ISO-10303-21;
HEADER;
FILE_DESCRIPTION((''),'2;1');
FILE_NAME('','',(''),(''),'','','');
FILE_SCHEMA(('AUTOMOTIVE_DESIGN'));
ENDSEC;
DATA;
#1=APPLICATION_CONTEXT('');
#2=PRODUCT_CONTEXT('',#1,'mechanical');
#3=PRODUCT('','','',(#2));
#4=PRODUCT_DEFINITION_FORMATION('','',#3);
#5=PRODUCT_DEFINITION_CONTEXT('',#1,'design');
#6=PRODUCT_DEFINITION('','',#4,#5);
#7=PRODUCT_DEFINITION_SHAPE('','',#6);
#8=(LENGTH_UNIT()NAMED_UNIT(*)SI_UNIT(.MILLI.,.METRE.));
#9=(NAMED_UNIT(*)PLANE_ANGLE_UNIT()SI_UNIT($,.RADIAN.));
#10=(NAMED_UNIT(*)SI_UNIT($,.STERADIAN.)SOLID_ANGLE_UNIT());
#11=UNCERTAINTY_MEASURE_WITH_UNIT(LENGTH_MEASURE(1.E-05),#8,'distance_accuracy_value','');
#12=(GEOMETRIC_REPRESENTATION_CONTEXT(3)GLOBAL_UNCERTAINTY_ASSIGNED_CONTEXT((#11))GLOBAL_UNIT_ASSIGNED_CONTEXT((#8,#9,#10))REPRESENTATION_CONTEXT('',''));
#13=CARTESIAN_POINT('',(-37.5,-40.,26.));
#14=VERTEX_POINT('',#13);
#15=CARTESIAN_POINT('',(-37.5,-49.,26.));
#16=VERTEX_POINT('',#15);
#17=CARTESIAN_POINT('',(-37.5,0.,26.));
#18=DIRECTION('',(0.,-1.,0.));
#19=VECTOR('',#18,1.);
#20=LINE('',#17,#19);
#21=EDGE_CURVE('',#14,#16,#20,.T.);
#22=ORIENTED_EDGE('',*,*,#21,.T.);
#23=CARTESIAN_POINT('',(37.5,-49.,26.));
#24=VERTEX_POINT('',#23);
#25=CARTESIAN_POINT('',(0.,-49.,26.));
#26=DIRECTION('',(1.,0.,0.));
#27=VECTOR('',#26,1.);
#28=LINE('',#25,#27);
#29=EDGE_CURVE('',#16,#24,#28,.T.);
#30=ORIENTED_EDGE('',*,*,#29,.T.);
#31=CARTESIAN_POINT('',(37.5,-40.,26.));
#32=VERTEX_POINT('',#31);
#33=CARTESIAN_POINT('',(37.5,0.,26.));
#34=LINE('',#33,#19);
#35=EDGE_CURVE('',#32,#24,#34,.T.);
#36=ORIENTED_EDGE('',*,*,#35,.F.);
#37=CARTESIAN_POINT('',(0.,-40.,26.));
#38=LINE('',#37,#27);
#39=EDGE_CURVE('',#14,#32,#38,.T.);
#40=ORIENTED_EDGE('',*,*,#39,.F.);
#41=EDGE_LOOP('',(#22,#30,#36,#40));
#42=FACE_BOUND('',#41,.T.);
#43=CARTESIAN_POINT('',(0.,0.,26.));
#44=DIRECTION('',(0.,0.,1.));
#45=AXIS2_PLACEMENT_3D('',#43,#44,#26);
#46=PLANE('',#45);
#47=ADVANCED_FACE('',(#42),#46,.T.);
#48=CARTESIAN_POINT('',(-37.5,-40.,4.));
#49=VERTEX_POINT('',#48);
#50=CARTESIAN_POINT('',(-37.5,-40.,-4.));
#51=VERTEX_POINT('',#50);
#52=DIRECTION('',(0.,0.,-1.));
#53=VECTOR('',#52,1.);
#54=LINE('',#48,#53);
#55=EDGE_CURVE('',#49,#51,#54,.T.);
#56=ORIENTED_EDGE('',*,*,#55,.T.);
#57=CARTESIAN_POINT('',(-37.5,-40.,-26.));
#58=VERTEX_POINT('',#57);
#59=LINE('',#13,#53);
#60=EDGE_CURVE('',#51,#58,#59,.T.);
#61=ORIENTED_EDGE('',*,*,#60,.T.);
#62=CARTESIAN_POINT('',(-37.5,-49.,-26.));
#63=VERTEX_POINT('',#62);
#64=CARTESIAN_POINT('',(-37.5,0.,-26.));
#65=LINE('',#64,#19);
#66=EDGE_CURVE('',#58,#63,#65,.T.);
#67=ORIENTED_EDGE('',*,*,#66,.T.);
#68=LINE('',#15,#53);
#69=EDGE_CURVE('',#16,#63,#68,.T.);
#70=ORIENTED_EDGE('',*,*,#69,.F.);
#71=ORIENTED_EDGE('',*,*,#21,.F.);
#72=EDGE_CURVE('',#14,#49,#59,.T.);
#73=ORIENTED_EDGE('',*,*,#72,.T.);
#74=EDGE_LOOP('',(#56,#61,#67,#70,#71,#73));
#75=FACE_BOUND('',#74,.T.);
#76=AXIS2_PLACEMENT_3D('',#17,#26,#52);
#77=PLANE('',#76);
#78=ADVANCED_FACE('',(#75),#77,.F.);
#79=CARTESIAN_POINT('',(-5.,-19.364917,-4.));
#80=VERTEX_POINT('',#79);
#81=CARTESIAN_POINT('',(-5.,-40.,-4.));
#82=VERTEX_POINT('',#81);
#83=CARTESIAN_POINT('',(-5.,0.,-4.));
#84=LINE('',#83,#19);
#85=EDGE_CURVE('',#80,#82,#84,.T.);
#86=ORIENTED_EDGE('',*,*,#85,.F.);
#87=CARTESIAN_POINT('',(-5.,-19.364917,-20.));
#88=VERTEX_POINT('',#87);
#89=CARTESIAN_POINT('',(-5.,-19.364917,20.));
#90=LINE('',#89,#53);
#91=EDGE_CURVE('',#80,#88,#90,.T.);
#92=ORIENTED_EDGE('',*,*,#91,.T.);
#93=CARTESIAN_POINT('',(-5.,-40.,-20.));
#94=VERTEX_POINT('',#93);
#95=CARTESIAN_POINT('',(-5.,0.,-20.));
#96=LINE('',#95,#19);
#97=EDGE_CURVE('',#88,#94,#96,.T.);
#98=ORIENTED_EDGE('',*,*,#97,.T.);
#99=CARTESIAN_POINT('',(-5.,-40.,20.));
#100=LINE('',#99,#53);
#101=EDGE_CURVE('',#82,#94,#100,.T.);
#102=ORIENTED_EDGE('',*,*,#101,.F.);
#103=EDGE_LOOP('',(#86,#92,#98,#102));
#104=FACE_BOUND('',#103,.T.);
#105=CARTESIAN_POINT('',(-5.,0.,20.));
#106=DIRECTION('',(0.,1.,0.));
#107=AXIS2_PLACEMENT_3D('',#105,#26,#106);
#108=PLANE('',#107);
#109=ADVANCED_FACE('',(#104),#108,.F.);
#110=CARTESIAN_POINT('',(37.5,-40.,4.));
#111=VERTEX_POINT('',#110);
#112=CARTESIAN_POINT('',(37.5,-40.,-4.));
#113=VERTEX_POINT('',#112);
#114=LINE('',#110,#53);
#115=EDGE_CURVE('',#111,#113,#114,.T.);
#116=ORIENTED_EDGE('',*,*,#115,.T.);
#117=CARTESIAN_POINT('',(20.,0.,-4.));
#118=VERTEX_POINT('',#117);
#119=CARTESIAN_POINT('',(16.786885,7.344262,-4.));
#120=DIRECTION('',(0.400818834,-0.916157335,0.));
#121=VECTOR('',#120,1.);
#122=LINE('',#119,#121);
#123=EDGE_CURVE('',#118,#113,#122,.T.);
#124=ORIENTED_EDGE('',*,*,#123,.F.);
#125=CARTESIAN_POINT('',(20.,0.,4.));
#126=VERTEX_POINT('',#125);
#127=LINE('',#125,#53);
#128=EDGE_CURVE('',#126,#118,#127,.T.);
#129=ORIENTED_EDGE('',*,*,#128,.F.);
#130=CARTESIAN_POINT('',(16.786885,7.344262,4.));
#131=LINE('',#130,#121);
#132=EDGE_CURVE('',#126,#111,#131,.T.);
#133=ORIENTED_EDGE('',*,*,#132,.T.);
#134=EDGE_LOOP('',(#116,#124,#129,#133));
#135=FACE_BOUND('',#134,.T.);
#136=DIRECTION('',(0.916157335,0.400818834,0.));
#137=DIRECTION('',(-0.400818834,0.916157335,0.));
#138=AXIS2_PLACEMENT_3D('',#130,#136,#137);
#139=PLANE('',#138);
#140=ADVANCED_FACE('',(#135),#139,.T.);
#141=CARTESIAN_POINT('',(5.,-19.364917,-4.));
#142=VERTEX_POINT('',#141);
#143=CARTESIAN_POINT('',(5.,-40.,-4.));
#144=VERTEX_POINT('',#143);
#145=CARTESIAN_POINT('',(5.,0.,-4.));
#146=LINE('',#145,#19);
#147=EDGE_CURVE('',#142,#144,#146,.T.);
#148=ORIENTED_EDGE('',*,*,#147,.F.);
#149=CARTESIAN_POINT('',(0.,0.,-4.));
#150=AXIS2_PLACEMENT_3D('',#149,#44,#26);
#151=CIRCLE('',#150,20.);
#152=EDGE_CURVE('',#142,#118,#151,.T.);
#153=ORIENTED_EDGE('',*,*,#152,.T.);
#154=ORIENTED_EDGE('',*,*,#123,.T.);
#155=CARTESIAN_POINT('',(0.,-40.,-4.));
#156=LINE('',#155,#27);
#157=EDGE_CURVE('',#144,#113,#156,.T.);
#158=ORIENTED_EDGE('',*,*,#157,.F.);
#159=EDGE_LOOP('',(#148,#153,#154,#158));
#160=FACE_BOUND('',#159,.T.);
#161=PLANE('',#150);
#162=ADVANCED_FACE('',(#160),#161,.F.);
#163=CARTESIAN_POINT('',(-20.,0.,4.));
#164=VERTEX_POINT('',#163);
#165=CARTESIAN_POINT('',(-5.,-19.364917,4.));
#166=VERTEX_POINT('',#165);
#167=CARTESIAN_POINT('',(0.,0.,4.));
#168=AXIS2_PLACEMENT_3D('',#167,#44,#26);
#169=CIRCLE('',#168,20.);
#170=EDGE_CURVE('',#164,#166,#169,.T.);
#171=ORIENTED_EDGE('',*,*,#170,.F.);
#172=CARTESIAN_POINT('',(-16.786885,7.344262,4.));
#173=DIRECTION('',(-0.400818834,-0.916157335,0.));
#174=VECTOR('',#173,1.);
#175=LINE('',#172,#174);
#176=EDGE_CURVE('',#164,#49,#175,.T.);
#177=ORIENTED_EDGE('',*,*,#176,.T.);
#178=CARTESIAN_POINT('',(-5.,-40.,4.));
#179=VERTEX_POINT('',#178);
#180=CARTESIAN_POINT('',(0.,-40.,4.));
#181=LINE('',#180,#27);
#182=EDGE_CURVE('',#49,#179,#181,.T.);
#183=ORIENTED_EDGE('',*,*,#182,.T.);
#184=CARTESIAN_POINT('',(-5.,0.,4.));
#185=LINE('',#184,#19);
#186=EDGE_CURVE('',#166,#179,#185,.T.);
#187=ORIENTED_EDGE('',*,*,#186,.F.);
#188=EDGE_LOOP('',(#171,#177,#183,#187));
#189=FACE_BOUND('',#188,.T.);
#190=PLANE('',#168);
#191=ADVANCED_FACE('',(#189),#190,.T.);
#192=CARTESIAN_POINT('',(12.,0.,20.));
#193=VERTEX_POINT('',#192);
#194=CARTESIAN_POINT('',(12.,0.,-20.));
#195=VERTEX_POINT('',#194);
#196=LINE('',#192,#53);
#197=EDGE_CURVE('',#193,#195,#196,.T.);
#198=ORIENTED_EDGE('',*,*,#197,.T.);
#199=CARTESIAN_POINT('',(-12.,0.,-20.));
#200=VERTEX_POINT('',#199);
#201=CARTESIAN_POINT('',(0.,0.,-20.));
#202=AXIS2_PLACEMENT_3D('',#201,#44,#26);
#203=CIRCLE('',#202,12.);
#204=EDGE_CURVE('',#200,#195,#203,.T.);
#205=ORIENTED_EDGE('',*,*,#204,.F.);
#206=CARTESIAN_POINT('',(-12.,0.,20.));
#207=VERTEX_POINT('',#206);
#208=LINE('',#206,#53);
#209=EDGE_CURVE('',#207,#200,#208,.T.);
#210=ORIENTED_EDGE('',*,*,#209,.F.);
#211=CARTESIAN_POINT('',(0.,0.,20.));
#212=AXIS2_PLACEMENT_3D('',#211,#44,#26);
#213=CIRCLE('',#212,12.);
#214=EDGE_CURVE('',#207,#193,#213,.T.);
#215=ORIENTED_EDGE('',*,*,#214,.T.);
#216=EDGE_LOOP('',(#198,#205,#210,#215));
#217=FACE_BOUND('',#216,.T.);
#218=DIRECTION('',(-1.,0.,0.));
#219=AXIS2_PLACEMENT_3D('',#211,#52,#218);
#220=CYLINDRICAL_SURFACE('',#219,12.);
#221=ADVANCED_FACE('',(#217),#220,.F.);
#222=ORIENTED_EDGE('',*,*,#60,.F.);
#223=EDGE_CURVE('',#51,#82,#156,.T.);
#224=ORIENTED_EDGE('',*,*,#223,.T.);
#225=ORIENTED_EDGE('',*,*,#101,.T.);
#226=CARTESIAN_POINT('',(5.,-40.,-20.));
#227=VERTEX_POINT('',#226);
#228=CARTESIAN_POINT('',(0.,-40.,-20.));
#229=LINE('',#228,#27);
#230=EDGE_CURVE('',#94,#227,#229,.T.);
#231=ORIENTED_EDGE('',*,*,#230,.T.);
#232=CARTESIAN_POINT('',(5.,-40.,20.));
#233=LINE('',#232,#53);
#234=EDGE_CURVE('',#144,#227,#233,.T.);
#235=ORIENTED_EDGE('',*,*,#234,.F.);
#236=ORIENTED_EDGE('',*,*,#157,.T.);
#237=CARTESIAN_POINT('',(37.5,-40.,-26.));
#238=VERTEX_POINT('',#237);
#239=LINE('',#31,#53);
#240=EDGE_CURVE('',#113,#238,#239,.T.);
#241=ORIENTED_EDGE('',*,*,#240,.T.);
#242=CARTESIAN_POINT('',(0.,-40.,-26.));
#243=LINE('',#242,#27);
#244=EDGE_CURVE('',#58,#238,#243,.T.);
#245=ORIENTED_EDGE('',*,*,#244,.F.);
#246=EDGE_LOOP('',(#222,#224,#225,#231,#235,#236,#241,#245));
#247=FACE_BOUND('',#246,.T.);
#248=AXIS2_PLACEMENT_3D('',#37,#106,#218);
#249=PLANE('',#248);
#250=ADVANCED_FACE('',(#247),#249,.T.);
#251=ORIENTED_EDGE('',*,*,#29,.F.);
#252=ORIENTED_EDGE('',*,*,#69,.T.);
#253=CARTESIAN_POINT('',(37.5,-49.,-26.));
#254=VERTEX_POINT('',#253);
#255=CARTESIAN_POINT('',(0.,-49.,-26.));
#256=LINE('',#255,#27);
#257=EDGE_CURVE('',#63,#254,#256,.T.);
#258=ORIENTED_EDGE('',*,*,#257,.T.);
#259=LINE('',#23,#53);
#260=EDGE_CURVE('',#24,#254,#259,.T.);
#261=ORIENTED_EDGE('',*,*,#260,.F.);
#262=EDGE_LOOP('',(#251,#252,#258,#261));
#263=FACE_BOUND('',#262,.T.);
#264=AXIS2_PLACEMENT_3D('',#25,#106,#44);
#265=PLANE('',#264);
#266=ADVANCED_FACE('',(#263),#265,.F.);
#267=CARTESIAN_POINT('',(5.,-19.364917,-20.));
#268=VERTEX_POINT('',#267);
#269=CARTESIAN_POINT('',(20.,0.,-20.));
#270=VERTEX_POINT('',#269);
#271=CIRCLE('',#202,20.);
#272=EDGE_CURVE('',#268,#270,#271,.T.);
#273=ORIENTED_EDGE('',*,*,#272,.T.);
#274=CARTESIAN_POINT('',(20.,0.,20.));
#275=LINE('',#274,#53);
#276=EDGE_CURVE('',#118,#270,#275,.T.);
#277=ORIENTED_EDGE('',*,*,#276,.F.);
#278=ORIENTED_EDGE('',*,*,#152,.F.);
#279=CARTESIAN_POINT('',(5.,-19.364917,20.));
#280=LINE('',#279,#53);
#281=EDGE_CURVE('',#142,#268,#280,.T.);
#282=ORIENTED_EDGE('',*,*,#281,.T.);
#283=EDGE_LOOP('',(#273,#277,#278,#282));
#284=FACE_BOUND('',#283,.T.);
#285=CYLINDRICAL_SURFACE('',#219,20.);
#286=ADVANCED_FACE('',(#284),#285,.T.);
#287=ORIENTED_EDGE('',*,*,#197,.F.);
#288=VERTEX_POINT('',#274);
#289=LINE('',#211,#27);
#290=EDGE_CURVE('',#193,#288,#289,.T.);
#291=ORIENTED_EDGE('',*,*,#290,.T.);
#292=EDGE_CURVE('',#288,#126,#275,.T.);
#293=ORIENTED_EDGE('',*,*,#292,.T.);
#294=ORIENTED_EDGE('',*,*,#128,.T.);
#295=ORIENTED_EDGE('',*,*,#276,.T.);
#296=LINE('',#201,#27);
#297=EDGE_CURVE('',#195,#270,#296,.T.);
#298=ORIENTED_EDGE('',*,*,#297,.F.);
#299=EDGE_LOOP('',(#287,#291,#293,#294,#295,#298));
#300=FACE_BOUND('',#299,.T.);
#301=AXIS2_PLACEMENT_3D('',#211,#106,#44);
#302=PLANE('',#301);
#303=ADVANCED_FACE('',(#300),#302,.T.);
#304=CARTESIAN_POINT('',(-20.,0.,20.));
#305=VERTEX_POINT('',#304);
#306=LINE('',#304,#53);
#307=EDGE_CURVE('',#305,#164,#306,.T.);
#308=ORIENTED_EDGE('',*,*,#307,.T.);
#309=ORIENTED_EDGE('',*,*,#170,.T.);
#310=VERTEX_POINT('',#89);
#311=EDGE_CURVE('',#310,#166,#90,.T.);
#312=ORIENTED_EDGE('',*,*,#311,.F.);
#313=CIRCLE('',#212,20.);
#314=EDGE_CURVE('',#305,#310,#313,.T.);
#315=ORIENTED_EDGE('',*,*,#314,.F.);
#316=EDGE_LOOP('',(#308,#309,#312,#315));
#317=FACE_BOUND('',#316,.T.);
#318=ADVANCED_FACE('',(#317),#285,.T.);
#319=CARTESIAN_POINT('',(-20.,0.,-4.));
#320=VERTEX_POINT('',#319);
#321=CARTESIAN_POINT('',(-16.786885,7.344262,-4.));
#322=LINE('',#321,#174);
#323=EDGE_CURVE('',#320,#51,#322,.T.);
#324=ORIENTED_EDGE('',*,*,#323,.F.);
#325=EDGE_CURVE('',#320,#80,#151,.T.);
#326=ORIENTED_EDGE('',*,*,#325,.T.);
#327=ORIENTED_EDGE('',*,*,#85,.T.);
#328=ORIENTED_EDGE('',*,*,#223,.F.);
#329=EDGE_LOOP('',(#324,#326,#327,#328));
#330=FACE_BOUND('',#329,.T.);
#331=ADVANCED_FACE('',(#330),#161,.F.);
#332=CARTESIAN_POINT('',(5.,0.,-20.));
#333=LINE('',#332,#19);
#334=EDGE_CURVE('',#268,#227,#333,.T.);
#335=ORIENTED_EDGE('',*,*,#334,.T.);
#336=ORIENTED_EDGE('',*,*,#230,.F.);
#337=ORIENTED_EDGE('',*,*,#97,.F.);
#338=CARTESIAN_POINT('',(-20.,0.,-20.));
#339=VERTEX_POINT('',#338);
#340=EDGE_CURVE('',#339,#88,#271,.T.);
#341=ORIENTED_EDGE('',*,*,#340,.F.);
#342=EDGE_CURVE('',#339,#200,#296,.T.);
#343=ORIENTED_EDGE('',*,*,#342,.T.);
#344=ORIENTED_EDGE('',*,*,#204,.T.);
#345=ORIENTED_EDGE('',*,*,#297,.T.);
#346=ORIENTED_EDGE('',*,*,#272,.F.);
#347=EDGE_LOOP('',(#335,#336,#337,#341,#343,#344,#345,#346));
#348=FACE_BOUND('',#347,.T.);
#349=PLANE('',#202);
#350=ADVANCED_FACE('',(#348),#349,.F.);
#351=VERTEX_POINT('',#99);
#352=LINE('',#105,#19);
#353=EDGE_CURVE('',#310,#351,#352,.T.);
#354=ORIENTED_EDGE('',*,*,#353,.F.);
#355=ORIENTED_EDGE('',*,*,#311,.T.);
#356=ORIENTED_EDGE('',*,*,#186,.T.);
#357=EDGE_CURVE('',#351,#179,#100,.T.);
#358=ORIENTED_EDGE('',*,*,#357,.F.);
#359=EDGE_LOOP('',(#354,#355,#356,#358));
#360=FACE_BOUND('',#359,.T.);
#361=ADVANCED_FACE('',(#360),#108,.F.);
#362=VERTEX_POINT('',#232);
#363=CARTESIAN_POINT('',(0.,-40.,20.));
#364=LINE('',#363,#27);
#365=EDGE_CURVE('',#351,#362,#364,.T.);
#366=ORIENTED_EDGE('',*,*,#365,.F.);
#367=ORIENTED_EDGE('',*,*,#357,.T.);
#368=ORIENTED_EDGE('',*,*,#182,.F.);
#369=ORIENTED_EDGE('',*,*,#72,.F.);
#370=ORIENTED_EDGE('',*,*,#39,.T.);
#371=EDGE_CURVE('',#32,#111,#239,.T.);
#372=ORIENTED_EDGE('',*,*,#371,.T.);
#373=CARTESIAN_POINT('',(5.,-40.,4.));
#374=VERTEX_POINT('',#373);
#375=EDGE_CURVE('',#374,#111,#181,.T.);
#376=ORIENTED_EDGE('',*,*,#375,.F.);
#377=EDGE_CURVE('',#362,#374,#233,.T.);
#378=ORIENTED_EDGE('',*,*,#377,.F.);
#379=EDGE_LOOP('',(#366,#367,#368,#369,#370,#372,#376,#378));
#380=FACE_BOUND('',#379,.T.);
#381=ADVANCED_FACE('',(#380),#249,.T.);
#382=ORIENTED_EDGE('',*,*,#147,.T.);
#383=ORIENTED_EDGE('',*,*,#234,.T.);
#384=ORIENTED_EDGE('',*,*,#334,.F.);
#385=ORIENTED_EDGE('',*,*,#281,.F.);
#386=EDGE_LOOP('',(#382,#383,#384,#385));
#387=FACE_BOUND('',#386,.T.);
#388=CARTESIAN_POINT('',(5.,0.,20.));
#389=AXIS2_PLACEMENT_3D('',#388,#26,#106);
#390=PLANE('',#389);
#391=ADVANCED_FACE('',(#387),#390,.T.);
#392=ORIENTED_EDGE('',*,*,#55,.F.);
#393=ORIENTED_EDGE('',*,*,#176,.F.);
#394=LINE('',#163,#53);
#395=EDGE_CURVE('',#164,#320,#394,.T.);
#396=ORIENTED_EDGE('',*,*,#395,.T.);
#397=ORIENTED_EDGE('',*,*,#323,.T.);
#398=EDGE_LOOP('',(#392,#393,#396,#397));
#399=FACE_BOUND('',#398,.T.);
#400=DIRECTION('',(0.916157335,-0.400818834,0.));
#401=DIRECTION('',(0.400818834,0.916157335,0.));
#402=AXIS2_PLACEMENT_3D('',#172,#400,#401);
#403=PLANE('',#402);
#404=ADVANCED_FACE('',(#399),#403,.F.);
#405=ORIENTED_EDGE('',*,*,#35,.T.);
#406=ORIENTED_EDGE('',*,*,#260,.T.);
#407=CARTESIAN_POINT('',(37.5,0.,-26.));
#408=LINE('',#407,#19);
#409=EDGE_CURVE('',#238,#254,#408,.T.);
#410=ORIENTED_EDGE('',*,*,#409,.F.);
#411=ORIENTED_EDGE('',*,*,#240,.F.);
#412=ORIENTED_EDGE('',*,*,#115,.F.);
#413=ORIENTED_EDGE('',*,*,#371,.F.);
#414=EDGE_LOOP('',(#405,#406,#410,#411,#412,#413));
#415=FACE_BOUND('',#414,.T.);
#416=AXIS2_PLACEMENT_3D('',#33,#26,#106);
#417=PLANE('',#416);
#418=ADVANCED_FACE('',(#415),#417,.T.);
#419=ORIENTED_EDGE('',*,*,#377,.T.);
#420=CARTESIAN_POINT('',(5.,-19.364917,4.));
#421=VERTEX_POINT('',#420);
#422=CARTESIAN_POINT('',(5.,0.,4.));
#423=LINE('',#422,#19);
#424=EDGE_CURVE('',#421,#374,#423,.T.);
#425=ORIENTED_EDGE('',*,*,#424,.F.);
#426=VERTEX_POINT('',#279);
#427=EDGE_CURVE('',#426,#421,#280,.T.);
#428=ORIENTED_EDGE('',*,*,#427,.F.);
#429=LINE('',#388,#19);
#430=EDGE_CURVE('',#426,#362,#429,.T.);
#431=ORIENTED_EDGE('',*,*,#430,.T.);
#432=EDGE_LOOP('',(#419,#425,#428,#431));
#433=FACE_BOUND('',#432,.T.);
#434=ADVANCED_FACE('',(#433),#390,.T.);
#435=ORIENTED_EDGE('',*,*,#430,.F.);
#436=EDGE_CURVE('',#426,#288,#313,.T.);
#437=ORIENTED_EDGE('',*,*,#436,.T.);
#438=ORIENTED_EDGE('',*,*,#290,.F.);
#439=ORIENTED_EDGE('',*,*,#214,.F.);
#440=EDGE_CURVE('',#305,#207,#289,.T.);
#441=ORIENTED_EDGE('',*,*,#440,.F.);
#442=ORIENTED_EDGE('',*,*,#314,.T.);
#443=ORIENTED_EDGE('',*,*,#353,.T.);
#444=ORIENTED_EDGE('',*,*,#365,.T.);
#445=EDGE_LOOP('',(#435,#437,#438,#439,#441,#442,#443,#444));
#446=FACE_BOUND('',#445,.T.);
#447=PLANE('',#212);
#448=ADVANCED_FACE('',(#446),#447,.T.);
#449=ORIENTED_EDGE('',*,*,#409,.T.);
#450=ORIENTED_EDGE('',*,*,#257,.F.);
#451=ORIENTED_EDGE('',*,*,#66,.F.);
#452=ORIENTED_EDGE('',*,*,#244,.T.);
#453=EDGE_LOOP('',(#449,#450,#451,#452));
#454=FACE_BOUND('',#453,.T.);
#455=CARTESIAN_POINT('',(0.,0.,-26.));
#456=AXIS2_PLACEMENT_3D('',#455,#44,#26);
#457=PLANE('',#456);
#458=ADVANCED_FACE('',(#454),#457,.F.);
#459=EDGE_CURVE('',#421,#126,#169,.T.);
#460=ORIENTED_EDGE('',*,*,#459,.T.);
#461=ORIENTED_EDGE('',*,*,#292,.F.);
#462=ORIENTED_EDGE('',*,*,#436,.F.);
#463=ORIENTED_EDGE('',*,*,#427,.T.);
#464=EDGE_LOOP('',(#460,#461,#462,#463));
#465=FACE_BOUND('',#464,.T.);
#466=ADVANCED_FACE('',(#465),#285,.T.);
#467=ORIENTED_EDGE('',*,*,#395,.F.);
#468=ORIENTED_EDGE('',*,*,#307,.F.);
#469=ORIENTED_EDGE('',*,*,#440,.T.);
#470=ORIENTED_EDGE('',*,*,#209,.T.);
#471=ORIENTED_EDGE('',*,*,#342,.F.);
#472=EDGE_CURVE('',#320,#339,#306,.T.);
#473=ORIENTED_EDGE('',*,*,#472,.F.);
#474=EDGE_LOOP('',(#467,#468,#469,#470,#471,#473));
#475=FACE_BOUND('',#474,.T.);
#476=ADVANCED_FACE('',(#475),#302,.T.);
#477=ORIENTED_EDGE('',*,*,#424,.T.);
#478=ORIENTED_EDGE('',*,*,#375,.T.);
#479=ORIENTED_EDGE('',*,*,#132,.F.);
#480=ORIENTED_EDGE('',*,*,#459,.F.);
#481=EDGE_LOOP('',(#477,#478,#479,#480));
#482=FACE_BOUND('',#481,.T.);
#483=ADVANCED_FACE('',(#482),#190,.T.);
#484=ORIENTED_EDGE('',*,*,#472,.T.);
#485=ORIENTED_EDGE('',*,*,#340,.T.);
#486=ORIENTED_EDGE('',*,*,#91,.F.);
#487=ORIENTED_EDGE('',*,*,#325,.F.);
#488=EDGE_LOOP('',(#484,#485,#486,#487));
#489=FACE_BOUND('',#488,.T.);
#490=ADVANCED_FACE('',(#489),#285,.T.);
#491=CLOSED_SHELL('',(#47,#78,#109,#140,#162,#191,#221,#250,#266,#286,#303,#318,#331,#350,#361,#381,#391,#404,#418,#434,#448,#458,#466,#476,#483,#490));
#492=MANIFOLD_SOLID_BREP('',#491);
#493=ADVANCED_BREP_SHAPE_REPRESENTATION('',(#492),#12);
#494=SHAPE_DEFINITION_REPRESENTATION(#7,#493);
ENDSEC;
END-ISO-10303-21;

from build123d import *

# Parameters (mm, degrees)
BOSS_EXTRUDE1_DEPTH = 26
BOSS_EXTRUDE2_DEPTH = 20
BOSS_EXTRUDE3_DEPTH = 4


with BuildPart() as part:
    # Sketch2 → Boss-Extrude1 (new, symmetric)
    with BuildSketch(Plane.XY):
        Polygon((-5, -40), (-37.5, -40), (-37.5, -49), (37.5, -49), (37.5, -40), (5, -40), align=None)
    extrude(amount=BOSS_EXTRUDE1_DEPTH, both=True)

    # Sketch2<4> → Boss-Extrude2 (add, symmetric)
    with BuildSketch(Plane.XY):
        with BuildLine():
            Line((-12, 0), (-20, 0))
            ThreePointArc((-20, 0), (-15.811388301, -12.247448714), (-5, -19.364916731))
            Line((-5, -19.364916731), (-5, -40))
            Line((-5, -40), (5, -40))
            Line((5, -40), (5, -19.364916731))
            ThreePointArc((5, -19.364916731), (15.811388301, -12.247448714), (20, 0))
            Line((20, 0), (12, 0))
            ThreePointArc((12, 0), (0, -12), (-12, 0))
        make_face()
    extrude(amount=BOSS_EXTRUDE2_DEPTH, both=True)

    # Sketch2<5> → Boss-Extrude3 (add, symmetric)
    with BuildSketch(Plane.XY):
        with BuildLine():
            ThreePointArc((-5, -19.364916731), (-15.811388301, -12.247448714), (-20, 0))
            Line((-20, 0), (-37.5, -40))
            Line((-37.5, -40), (-5, -40))
            Line((-5, -40), (-5, -19.364916731))
        make_face()
        with BuildLine():
            Line((37.5, -40), (20, 0))
            ThreePointArc((20, 0), (15.811388301, -12.247448714), (5, -19.364916731))
            Line((5, -19.364916731), (5, -40))
            Line((5, -40), (37.5, -40))
        make_face()
    extrude(amount=BOSS_EXTRUDE3_DEPTH, both=True)


solid = part.part
